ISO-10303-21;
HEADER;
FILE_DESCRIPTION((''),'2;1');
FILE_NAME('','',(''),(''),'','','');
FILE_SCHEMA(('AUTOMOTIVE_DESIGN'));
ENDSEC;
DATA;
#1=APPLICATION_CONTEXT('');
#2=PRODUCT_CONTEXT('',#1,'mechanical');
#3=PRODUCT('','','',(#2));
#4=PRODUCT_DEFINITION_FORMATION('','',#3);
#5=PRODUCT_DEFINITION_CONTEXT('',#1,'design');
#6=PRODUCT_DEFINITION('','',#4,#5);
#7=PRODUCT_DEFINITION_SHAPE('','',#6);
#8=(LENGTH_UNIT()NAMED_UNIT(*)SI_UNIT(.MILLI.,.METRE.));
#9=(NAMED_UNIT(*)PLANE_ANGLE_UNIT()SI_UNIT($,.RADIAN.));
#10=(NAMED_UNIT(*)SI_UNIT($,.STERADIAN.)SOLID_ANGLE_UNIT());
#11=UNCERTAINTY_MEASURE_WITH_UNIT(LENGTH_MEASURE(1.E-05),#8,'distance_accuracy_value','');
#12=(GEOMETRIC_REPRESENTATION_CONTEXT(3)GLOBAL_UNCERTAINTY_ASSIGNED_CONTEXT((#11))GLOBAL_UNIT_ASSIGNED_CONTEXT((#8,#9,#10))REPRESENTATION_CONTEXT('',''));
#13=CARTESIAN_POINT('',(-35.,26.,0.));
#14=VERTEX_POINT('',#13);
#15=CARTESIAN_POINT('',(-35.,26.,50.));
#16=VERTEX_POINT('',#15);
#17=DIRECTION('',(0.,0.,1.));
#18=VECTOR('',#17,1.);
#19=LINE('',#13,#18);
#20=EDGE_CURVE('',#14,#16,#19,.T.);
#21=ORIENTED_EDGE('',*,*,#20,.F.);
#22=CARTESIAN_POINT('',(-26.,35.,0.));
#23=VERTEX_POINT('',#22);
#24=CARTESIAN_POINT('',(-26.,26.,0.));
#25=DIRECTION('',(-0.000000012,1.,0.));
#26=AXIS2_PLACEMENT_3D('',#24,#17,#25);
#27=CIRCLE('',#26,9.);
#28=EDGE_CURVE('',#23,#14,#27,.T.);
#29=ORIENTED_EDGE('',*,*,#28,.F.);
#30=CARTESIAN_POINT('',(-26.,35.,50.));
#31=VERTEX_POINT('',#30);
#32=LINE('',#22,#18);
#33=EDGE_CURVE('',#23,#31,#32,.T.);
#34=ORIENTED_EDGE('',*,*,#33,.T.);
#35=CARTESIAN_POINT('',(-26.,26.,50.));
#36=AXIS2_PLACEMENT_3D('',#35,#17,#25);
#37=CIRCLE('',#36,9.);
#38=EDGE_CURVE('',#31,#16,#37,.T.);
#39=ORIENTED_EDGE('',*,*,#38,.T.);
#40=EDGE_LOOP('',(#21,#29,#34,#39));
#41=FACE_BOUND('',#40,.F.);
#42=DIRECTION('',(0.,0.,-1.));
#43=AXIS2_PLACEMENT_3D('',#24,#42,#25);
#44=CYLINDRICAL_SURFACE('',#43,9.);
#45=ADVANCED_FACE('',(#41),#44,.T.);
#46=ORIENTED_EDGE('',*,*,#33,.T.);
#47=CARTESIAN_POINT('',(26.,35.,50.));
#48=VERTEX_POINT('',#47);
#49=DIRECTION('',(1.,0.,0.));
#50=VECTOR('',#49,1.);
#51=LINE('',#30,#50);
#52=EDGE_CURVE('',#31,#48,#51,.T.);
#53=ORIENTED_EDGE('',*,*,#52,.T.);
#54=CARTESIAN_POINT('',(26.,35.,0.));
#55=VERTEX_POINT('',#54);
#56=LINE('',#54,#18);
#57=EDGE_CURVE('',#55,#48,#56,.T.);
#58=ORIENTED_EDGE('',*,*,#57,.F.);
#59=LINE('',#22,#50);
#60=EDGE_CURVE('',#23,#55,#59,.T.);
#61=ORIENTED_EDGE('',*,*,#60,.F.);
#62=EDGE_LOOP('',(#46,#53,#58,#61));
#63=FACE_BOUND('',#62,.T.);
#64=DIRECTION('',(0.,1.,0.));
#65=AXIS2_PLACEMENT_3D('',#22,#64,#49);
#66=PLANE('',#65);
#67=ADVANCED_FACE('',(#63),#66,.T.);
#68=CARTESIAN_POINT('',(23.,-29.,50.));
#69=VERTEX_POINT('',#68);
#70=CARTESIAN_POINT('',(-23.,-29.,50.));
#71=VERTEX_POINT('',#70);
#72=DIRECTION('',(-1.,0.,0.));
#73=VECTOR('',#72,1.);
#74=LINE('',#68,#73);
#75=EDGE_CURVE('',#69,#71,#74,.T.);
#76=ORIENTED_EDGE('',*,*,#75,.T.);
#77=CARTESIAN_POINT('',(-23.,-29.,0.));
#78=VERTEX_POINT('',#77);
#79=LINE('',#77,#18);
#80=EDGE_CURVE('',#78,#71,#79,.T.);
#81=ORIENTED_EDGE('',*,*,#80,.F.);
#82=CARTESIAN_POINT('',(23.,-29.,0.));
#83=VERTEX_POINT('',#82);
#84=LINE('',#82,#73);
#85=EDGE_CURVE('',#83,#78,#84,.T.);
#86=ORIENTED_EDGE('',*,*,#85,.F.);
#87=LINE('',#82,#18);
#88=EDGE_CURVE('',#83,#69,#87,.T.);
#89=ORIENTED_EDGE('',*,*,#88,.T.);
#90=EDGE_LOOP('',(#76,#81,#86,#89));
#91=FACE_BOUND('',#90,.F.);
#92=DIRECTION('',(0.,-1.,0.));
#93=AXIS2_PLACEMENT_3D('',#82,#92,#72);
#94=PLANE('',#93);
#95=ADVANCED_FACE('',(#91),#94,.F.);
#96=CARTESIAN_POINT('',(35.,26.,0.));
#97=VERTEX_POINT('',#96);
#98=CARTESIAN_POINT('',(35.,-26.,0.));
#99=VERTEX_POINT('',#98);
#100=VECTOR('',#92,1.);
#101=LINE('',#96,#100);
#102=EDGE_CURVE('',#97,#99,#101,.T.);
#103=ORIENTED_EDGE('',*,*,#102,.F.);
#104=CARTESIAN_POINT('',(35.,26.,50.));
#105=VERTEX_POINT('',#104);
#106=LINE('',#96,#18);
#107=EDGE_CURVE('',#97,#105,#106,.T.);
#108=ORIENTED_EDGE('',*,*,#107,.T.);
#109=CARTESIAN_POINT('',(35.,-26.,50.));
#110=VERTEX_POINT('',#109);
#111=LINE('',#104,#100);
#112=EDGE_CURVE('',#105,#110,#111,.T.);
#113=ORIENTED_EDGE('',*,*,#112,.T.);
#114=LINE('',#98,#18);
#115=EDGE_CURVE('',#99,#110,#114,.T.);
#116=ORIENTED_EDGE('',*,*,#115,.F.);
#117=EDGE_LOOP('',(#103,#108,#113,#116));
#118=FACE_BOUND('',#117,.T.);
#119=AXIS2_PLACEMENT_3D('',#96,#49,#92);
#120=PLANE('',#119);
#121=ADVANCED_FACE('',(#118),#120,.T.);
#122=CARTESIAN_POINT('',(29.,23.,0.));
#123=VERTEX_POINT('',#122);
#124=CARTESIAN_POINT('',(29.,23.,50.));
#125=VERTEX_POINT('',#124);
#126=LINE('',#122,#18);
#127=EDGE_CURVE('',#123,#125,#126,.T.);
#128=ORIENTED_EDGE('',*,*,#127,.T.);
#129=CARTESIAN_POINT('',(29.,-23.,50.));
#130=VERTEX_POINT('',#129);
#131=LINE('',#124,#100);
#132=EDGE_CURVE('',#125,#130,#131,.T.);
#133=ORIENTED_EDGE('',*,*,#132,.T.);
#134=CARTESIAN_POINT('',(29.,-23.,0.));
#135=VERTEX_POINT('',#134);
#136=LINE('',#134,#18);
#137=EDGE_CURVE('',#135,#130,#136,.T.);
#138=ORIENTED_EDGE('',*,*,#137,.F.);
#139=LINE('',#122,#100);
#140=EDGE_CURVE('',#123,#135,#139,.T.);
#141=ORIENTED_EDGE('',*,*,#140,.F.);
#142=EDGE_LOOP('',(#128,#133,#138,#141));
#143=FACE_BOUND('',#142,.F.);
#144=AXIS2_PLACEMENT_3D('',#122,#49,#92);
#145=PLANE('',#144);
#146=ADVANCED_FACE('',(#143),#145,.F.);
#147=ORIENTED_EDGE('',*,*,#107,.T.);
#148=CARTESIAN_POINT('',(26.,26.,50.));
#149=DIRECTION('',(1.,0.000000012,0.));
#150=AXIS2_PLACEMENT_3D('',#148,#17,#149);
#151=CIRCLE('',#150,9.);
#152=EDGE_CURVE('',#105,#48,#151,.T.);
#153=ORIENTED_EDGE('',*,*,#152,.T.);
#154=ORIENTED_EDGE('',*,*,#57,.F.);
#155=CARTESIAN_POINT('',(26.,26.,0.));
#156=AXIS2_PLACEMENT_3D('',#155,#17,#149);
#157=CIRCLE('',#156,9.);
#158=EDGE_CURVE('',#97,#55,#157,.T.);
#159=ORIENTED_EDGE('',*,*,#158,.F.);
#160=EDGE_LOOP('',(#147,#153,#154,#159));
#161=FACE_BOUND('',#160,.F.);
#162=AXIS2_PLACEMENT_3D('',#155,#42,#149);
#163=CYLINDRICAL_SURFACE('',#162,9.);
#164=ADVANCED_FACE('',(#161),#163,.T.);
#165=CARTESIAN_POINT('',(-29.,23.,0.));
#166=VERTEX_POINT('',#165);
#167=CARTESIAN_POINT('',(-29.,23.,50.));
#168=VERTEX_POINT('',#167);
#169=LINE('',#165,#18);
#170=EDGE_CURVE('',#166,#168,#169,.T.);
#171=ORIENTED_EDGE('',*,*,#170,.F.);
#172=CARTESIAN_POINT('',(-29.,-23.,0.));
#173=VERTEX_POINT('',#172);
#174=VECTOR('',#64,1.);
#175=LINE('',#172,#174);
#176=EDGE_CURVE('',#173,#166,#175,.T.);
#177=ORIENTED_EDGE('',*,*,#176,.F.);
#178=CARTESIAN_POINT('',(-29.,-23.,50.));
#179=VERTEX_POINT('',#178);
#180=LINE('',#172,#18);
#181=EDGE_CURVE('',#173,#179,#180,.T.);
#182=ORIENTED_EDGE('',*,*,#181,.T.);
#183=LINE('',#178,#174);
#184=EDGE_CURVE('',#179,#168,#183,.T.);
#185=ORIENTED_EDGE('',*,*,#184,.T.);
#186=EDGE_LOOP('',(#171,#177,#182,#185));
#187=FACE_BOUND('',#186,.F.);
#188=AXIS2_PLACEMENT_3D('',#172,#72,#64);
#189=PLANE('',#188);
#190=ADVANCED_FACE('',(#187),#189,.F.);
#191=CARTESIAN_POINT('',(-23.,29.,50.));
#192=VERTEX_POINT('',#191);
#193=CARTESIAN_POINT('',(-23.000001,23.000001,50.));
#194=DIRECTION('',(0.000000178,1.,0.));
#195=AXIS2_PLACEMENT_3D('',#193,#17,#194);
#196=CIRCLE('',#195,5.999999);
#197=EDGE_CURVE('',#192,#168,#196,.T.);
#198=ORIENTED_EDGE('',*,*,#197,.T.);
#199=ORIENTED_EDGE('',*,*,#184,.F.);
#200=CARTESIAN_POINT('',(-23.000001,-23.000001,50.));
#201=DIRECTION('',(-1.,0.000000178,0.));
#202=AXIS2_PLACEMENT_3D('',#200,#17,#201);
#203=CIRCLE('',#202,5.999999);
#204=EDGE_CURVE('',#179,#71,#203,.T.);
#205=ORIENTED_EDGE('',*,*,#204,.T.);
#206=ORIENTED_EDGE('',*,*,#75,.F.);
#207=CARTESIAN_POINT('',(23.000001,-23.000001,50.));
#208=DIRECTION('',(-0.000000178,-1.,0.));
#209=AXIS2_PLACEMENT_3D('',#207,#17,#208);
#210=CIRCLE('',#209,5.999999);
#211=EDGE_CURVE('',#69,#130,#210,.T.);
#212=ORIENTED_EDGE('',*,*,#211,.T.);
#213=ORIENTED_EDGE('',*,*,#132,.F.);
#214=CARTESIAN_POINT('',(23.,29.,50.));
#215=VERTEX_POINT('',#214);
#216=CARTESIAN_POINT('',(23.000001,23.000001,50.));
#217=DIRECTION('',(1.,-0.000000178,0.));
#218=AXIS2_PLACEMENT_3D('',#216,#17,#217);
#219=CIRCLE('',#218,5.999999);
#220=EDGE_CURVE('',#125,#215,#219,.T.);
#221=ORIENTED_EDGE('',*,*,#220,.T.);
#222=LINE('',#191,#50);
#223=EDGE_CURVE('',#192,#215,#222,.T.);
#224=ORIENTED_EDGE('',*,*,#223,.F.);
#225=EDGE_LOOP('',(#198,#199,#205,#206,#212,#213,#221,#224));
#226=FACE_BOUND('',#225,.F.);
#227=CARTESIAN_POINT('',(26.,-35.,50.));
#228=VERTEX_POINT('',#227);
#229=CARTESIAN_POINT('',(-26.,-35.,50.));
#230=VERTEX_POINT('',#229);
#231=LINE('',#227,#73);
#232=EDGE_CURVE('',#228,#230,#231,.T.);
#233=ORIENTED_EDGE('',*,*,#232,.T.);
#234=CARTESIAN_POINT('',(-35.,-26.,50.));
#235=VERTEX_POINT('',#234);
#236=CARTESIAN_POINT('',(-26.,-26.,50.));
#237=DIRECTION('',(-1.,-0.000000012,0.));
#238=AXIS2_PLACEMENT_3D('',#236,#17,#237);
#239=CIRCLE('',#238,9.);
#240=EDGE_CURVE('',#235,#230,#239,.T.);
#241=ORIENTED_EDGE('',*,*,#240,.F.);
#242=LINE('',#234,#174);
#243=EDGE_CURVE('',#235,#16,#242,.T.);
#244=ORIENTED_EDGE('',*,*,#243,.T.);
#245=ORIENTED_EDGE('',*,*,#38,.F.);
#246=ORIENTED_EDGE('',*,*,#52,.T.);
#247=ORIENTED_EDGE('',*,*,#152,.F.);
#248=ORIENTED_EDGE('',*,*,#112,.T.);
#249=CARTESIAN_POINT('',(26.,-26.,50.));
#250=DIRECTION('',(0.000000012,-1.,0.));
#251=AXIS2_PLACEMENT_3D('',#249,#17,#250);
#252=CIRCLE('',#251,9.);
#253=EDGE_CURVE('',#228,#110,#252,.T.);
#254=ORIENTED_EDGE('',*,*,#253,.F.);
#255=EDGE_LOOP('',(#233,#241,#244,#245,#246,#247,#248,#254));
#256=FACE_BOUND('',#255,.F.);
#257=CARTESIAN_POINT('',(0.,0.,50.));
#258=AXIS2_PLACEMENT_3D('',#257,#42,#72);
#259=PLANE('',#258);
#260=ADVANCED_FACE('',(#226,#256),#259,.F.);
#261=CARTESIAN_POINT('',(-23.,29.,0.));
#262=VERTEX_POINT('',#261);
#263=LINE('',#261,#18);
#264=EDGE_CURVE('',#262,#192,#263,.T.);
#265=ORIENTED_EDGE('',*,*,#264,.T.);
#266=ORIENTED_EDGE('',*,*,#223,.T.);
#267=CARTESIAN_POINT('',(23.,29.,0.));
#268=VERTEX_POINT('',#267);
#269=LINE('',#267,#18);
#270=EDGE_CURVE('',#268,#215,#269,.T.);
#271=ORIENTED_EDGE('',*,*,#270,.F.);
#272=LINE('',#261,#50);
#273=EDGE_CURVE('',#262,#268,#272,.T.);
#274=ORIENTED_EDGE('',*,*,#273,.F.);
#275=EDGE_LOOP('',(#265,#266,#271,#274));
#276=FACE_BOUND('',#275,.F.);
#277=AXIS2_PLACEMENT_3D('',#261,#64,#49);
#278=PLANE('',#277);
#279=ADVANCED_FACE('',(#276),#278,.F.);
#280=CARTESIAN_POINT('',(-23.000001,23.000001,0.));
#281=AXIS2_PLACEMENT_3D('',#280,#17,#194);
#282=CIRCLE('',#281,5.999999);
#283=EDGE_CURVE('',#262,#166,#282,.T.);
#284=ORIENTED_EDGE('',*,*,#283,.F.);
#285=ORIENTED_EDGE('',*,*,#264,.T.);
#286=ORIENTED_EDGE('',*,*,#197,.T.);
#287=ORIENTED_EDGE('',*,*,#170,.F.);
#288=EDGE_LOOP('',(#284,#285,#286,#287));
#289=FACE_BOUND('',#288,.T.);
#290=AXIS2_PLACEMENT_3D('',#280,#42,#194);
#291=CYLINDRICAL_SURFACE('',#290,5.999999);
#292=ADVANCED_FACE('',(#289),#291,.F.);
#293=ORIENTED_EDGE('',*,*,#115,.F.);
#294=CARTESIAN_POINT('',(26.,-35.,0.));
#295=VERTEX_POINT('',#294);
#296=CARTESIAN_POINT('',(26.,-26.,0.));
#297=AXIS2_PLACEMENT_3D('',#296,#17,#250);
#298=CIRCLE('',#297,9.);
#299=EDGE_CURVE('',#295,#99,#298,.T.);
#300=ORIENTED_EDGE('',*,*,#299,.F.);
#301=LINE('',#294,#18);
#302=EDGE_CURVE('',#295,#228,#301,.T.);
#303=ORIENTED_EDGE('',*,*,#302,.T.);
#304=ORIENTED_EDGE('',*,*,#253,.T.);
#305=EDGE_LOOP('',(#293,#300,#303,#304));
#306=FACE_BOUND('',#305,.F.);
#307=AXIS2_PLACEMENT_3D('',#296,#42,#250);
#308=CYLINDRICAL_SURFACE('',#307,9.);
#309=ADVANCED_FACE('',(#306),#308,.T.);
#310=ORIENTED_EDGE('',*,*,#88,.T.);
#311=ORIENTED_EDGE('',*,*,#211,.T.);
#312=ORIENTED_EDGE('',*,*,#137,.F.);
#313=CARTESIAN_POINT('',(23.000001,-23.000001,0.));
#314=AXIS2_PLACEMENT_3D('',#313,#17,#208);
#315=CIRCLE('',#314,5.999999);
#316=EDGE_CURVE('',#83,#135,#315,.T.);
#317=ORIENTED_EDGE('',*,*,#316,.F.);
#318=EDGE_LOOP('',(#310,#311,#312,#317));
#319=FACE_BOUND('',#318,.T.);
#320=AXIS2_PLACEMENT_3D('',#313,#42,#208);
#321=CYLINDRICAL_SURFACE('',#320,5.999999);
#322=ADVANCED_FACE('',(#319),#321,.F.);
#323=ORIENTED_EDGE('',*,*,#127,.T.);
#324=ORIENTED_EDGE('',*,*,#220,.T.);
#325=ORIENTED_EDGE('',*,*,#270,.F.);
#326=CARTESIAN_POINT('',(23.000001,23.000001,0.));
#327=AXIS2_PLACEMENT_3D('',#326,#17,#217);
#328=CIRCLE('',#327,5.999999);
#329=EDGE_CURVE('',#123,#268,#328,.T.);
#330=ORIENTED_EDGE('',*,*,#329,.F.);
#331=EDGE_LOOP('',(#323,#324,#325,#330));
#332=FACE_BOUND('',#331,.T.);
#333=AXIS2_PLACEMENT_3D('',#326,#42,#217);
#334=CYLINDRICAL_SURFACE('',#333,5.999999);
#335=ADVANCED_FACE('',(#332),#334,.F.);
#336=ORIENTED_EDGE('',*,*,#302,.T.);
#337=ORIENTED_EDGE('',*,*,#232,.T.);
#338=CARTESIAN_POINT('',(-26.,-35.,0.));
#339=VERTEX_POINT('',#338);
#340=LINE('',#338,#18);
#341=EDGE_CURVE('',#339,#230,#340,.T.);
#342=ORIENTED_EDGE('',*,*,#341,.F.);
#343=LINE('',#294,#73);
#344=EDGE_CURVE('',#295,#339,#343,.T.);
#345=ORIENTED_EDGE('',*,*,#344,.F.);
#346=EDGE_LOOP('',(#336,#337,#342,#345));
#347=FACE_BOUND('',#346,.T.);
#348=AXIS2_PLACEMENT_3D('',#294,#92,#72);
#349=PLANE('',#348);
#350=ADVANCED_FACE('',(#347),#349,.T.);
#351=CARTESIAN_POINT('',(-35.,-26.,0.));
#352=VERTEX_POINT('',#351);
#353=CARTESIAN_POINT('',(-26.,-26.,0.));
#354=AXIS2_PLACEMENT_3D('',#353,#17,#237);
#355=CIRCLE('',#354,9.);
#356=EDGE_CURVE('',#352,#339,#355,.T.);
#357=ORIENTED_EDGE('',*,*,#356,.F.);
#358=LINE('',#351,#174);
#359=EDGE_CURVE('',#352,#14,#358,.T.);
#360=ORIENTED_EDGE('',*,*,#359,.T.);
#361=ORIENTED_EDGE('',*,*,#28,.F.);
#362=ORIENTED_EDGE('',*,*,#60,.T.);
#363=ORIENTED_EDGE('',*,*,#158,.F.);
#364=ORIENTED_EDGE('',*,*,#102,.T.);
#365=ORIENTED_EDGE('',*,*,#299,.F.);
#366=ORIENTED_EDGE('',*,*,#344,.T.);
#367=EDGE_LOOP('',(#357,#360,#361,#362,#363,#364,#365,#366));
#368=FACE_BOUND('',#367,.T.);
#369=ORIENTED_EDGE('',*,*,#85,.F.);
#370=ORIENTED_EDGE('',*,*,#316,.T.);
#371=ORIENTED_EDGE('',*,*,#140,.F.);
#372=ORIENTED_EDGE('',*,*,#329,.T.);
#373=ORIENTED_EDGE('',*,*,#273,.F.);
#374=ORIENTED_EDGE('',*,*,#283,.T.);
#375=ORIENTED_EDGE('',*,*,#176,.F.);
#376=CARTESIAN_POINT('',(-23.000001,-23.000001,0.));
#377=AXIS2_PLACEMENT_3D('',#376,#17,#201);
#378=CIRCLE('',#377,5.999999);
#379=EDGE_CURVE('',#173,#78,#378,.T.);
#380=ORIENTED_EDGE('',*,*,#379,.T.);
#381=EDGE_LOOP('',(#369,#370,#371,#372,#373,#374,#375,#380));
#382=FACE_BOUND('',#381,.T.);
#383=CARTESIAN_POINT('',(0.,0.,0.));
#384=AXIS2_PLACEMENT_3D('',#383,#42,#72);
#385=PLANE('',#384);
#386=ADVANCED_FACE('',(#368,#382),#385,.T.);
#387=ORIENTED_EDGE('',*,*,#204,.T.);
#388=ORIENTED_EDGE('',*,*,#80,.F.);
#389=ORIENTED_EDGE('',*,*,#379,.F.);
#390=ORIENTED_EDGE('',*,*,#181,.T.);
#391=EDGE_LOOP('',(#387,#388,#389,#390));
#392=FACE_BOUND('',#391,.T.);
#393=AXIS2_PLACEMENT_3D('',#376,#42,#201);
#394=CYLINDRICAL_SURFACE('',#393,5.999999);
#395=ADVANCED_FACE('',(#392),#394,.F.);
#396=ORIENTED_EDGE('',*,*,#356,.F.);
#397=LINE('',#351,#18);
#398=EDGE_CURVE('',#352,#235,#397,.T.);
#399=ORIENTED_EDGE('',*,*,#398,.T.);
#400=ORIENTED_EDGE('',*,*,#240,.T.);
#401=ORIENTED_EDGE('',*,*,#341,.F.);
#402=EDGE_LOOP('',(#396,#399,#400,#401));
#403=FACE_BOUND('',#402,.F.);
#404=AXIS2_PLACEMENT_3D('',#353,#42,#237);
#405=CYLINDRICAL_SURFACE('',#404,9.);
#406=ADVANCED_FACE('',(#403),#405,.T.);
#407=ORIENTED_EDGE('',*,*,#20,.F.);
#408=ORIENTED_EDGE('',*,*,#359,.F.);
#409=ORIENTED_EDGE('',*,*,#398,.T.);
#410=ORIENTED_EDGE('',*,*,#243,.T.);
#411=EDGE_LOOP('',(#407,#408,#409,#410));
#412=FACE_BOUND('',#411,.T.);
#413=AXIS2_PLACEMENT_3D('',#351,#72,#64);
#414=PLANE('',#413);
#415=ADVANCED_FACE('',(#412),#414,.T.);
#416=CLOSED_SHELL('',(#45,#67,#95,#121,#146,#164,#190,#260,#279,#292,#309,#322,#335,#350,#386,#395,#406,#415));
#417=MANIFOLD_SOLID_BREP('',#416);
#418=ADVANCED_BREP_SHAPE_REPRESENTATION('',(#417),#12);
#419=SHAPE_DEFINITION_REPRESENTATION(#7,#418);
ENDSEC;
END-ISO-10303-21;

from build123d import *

# Parameters (mm, degrees)
EXTRUDE_DEPTH = 50


with BuildPart() as part:
    # Sketch → Extrude (new body)
    with BuildSketch(Plane.XY):
        with BuildLine():
            Line((-26, 35), (26, 35))
            ThreePointArc((35, 26), (32.363961, 32.363961), (26, 35))
            Line((35, 26), (35, -26))
            ThreePointArc((26, -35), (32.363961, -32.363961), (35, -26))
            Line((26, -35), (-26, -35))
            ThreePointArc((-35, -26), (-32.363961, -32.363961), (-26, -35))
            Line((-35, -26), (-35, 26))
            ThreePointArc((-26, 35), (-32.363961, 32.363961), (-35, 26))
        make_face()
        with BuildLine():
            Line((-23, 29), (23, 29))
            ThreePointArc((29, 23), (27.242641, 27.242641), (23, 29))
            Line((29, 23), (29, -23))
            ThreePointArc((23, -29), (27.242641, -27.242641), (29, -23))
            Line((23, -29), (-23, -29))
            ThreePointArc((-29, -23), (-27.242641, -27.242641), (-23, -29))
            Line((-29, -23), (-29, 23))
            ThreePointArc((-23, 29), (-27.242641, 27.242641), (-29, 23))
        make_face(mode=Mode.SUBTRACT)
    extrude(amount=EXTRUDE_DEPTH)


solid = part.part
